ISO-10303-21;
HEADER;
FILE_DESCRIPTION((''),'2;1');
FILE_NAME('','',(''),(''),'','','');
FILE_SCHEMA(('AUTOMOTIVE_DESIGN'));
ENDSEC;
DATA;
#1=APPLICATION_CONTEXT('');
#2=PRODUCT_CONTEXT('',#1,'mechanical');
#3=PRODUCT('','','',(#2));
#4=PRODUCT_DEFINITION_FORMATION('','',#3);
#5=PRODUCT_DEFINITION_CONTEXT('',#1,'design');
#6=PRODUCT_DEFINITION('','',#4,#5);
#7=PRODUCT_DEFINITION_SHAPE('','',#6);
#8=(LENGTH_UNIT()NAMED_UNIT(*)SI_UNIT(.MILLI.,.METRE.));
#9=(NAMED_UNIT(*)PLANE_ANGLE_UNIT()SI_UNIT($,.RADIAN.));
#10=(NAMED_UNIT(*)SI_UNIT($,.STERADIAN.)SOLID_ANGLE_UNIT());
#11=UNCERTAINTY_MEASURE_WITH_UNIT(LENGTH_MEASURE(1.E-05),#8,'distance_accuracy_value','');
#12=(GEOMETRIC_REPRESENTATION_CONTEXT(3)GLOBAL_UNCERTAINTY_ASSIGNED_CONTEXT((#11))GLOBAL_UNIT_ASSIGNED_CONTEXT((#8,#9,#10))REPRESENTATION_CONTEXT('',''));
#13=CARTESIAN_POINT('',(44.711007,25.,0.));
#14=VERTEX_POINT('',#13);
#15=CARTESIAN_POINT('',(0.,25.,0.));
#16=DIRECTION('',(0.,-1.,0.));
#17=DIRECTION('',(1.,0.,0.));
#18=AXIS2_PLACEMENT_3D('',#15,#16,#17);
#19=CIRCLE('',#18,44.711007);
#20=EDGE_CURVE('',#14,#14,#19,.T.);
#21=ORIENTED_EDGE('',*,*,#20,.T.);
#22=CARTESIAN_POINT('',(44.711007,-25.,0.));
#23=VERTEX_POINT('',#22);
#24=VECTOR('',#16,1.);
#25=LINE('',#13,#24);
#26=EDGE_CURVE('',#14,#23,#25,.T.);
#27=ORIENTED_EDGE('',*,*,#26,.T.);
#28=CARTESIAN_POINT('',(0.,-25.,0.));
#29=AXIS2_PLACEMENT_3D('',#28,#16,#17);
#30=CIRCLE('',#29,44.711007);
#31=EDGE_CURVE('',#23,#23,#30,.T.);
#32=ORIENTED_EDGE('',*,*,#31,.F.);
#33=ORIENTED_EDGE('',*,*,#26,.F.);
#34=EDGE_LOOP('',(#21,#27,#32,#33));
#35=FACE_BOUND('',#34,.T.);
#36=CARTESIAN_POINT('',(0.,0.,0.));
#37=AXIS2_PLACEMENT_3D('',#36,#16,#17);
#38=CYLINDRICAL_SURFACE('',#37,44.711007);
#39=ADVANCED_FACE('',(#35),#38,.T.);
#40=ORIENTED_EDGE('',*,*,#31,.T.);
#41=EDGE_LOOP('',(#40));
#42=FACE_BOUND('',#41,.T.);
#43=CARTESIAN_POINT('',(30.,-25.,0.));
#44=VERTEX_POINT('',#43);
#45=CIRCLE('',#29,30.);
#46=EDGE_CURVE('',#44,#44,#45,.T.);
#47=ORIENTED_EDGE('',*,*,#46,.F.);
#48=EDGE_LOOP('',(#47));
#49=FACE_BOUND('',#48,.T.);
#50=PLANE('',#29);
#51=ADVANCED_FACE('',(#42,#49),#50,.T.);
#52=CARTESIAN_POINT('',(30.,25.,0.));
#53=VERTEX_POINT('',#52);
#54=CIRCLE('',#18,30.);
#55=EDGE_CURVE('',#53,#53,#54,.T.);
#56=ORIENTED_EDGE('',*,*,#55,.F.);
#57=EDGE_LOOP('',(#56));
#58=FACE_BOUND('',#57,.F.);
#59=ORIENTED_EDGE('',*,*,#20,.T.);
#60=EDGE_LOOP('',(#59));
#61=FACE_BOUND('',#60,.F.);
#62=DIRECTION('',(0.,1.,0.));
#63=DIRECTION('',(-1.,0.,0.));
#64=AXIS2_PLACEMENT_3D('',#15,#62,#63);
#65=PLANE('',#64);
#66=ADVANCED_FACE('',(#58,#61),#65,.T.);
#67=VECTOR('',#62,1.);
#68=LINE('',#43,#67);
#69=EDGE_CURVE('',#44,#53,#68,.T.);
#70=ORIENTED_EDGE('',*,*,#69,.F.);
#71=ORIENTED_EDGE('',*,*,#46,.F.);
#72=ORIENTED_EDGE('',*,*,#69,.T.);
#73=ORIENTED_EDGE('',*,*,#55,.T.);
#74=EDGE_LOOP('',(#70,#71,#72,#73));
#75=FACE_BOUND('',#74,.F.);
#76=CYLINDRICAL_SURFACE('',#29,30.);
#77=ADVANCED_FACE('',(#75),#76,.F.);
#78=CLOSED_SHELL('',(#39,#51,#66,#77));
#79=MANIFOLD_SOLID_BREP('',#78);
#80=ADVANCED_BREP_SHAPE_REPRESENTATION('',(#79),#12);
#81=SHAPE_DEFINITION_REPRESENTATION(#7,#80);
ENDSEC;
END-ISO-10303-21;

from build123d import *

# Parameters (mm, degrees)
F0_R     = 44.711007
F1_DEPTH = 25
F3_R     = 30
F4_DEPTH = 50


with BuildPart() as f1:
    # F0 (on Front) → F1 (new body)
    with BuildSketch(Plane.XZ):
        Circle(F0_R)
    extrude(amount=F1_DEPTH)

    # F2: F1 across face


with BuildPart() as f1_1:
    add(f1.part)
    add(f1.part.mirror(Plane(origin=(0, 0, 0), x_dir=(1, 0, 0), z_dir=(0, 1, 0))))

    # F3 (on face) → F4 (cut)
    with BuildSketch(Plane.XZ.offset(25)):
        Circle(F3_R)
    extrude(amount=-F4_DEPTH, mode=Mode.SUBTRACT)


solid = f1_1.part
